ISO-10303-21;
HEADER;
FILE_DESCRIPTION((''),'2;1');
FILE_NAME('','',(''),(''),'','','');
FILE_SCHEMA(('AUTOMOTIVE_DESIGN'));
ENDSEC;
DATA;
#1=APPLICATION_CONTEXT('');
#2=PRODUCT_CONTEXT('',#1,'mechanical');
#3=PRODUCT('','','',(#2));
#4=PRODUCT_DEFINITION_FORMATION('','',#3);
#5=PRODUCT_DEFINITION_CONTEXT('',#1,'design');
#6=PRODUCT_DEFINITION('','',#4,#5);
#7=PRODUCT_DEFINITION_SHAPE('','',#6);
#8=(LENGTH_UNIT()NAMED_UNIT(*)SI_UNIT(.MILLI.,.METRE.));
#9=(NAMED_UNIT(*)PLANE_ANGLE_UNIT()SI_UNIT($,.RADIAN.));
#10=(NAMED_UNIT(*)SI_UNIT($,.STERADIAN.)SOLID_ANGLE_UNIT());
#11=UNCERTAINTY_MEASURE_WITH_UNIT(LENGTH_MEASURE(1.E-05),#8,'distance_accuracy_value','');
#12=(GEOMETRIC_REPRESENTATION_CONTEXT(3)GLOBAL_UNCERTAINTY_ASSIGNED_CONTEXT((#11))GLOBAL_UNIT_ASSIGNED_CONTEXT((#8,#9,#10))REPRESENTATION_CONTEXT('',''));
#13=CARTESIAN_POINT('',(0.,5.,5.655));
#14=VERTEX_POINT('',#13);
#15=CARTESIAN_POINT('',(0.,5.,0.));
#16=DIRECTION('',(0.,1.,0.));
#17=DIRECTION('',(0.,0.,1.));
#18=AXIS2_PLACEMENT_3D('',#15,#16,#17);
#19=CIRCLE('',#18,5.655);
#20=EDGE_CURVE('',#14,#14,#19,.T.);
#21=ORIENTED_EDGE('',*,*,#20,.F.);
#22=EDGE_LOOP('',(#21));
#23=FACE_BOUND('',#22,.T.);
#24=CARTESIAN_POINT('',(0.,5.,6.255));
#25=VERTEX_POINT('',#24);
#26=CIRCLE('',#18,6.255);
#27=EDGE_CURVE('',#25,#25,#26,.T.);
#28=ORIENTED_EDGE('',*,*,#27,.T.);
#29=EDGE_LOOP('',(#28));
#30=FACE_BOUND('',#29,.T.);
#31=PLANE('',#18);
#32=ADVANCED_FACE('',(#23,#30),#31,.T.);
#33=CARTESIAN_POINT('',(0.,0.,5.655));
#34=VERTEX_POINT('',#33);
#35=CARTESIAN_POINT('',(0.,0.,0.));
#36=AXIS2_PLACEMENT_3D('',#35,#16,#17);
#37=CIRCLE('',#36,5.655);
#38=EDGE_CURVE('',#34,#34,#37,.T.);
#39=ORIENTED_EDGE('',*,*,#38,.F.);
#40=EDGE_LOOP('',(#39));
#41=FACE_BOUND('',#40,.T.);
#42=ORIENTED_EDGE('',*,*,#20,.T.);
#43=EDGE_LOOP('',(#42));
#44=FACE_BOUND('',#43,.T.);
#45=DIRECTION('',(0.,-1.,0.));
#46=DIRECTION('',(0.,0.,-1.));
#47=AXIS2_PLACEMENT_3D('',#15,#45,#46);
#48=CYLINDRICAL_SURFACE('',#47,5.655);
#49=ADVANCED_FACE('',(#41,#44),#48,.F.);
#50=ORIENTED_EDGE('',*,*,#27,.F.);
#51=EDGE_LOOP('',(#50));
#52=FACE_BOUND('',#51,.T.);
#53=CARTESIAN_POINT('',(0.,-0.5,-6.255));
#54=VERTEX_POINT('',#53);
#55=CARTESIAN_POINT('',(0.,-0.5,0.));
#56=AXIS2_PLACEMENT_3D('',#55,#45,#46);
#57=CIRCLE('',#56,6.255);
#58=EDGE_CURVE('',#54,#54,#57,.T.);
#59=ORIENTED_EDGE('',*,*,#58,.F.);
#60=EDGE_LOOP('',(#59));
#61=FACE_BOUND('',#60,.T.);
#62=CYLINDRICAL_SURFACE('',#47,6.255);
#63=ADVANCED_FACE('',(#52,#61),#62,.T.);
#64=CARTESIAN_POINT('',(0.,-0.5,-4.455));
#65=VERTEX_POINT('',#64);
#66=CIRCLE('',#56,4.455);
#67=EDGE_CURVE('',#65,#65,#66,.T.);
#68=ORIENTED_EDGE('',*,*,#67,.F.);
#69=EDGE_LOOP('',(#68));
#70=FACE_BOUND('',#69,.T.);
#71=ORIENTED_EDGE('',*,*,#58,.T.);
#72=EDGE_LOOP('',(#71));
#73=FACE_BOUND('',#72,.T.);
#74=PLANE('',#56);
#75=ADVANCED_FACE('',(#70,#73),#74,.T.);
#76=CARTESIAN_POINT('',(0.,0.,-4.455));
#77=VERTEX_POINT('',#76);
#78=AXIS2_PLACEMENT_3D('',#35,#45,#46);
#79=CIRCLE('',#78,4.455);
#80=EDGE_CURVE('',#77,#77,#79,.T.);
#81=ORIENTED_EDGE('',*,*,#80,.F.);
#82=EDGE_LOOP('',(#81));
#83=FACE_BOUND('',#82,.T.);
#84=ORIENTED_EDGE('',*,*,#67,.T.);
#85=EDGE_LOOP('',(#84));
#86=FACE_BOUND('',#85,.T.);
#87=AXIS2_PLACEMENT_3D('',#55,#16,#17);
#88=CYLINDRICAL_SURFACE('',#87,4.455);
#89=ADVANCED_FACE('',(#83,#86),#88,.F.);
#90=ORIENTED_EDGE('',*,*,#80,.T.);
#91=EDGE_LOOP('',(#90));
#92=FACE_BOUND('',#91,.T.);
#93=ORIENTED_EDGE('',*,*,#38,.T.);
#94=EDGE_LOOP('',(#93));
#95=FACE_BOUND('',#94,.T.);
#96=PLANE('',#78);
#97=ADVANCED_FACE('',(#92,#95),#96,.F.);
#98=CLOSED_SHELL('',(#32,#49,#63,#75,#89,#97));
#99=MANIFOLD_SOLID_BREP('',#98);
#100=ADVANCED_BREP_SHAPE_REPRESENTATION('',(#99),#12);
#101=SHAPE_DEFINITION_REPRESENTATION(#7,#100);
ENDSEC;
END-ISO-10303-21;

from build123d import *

# Parameters (mm, degrees)
CROQUIS1_R              = 6.255
CROQUIS1_R_2            = 5.655
SALIENTE_EXTRUIR1_DEPTH = 5
SALIENTE_EXTRUIR2_START = 0.5
CROQUIS2_R              = 6.255
CROQUIS2_R_2            = 4.455
SALIENTE_EXTRUIR2_DEPTH = 0.5


with BuildPart() as part:
    # Croquis1 → Saliente-Extruir1 (new body)
    with BuildSketch(Plane(origin=(0, 0, 0), x_dir=(1, 0, 0), z_dir=(0, 1, 0))):
        with Locations(Location((0, 0, 0), (0, 0, 270))):
            Circle(CROQUIS1_R)
        with Locations(Location((0, 0, 0), (0, 0, 270))):
            Circle(CROQUIS1_R_2, mode=Mode.SUBTRACT)
    extrude(amount=SALIENTE_EXTRUIR1_DEPTH)

    # Croquis2 → Saliente-Extruir2 (add)
    with BuildSketch(Plane.XZ.offset(SALIENTE_EXTRUIR2_START)):
        with Locations(Location((0, 0, 0), (0, 0, 270))):
            Circle(CROQUIS2_R)
        with Locations(Location((0, 0, 0), (0, 0, 270))):
            Circle(CROQUIS2_R_2, mode=Mode.SUBTRACT)
    extrude(amount=-SALIENTE_EXTRUIR2_DEPTH)


solid = part.part
